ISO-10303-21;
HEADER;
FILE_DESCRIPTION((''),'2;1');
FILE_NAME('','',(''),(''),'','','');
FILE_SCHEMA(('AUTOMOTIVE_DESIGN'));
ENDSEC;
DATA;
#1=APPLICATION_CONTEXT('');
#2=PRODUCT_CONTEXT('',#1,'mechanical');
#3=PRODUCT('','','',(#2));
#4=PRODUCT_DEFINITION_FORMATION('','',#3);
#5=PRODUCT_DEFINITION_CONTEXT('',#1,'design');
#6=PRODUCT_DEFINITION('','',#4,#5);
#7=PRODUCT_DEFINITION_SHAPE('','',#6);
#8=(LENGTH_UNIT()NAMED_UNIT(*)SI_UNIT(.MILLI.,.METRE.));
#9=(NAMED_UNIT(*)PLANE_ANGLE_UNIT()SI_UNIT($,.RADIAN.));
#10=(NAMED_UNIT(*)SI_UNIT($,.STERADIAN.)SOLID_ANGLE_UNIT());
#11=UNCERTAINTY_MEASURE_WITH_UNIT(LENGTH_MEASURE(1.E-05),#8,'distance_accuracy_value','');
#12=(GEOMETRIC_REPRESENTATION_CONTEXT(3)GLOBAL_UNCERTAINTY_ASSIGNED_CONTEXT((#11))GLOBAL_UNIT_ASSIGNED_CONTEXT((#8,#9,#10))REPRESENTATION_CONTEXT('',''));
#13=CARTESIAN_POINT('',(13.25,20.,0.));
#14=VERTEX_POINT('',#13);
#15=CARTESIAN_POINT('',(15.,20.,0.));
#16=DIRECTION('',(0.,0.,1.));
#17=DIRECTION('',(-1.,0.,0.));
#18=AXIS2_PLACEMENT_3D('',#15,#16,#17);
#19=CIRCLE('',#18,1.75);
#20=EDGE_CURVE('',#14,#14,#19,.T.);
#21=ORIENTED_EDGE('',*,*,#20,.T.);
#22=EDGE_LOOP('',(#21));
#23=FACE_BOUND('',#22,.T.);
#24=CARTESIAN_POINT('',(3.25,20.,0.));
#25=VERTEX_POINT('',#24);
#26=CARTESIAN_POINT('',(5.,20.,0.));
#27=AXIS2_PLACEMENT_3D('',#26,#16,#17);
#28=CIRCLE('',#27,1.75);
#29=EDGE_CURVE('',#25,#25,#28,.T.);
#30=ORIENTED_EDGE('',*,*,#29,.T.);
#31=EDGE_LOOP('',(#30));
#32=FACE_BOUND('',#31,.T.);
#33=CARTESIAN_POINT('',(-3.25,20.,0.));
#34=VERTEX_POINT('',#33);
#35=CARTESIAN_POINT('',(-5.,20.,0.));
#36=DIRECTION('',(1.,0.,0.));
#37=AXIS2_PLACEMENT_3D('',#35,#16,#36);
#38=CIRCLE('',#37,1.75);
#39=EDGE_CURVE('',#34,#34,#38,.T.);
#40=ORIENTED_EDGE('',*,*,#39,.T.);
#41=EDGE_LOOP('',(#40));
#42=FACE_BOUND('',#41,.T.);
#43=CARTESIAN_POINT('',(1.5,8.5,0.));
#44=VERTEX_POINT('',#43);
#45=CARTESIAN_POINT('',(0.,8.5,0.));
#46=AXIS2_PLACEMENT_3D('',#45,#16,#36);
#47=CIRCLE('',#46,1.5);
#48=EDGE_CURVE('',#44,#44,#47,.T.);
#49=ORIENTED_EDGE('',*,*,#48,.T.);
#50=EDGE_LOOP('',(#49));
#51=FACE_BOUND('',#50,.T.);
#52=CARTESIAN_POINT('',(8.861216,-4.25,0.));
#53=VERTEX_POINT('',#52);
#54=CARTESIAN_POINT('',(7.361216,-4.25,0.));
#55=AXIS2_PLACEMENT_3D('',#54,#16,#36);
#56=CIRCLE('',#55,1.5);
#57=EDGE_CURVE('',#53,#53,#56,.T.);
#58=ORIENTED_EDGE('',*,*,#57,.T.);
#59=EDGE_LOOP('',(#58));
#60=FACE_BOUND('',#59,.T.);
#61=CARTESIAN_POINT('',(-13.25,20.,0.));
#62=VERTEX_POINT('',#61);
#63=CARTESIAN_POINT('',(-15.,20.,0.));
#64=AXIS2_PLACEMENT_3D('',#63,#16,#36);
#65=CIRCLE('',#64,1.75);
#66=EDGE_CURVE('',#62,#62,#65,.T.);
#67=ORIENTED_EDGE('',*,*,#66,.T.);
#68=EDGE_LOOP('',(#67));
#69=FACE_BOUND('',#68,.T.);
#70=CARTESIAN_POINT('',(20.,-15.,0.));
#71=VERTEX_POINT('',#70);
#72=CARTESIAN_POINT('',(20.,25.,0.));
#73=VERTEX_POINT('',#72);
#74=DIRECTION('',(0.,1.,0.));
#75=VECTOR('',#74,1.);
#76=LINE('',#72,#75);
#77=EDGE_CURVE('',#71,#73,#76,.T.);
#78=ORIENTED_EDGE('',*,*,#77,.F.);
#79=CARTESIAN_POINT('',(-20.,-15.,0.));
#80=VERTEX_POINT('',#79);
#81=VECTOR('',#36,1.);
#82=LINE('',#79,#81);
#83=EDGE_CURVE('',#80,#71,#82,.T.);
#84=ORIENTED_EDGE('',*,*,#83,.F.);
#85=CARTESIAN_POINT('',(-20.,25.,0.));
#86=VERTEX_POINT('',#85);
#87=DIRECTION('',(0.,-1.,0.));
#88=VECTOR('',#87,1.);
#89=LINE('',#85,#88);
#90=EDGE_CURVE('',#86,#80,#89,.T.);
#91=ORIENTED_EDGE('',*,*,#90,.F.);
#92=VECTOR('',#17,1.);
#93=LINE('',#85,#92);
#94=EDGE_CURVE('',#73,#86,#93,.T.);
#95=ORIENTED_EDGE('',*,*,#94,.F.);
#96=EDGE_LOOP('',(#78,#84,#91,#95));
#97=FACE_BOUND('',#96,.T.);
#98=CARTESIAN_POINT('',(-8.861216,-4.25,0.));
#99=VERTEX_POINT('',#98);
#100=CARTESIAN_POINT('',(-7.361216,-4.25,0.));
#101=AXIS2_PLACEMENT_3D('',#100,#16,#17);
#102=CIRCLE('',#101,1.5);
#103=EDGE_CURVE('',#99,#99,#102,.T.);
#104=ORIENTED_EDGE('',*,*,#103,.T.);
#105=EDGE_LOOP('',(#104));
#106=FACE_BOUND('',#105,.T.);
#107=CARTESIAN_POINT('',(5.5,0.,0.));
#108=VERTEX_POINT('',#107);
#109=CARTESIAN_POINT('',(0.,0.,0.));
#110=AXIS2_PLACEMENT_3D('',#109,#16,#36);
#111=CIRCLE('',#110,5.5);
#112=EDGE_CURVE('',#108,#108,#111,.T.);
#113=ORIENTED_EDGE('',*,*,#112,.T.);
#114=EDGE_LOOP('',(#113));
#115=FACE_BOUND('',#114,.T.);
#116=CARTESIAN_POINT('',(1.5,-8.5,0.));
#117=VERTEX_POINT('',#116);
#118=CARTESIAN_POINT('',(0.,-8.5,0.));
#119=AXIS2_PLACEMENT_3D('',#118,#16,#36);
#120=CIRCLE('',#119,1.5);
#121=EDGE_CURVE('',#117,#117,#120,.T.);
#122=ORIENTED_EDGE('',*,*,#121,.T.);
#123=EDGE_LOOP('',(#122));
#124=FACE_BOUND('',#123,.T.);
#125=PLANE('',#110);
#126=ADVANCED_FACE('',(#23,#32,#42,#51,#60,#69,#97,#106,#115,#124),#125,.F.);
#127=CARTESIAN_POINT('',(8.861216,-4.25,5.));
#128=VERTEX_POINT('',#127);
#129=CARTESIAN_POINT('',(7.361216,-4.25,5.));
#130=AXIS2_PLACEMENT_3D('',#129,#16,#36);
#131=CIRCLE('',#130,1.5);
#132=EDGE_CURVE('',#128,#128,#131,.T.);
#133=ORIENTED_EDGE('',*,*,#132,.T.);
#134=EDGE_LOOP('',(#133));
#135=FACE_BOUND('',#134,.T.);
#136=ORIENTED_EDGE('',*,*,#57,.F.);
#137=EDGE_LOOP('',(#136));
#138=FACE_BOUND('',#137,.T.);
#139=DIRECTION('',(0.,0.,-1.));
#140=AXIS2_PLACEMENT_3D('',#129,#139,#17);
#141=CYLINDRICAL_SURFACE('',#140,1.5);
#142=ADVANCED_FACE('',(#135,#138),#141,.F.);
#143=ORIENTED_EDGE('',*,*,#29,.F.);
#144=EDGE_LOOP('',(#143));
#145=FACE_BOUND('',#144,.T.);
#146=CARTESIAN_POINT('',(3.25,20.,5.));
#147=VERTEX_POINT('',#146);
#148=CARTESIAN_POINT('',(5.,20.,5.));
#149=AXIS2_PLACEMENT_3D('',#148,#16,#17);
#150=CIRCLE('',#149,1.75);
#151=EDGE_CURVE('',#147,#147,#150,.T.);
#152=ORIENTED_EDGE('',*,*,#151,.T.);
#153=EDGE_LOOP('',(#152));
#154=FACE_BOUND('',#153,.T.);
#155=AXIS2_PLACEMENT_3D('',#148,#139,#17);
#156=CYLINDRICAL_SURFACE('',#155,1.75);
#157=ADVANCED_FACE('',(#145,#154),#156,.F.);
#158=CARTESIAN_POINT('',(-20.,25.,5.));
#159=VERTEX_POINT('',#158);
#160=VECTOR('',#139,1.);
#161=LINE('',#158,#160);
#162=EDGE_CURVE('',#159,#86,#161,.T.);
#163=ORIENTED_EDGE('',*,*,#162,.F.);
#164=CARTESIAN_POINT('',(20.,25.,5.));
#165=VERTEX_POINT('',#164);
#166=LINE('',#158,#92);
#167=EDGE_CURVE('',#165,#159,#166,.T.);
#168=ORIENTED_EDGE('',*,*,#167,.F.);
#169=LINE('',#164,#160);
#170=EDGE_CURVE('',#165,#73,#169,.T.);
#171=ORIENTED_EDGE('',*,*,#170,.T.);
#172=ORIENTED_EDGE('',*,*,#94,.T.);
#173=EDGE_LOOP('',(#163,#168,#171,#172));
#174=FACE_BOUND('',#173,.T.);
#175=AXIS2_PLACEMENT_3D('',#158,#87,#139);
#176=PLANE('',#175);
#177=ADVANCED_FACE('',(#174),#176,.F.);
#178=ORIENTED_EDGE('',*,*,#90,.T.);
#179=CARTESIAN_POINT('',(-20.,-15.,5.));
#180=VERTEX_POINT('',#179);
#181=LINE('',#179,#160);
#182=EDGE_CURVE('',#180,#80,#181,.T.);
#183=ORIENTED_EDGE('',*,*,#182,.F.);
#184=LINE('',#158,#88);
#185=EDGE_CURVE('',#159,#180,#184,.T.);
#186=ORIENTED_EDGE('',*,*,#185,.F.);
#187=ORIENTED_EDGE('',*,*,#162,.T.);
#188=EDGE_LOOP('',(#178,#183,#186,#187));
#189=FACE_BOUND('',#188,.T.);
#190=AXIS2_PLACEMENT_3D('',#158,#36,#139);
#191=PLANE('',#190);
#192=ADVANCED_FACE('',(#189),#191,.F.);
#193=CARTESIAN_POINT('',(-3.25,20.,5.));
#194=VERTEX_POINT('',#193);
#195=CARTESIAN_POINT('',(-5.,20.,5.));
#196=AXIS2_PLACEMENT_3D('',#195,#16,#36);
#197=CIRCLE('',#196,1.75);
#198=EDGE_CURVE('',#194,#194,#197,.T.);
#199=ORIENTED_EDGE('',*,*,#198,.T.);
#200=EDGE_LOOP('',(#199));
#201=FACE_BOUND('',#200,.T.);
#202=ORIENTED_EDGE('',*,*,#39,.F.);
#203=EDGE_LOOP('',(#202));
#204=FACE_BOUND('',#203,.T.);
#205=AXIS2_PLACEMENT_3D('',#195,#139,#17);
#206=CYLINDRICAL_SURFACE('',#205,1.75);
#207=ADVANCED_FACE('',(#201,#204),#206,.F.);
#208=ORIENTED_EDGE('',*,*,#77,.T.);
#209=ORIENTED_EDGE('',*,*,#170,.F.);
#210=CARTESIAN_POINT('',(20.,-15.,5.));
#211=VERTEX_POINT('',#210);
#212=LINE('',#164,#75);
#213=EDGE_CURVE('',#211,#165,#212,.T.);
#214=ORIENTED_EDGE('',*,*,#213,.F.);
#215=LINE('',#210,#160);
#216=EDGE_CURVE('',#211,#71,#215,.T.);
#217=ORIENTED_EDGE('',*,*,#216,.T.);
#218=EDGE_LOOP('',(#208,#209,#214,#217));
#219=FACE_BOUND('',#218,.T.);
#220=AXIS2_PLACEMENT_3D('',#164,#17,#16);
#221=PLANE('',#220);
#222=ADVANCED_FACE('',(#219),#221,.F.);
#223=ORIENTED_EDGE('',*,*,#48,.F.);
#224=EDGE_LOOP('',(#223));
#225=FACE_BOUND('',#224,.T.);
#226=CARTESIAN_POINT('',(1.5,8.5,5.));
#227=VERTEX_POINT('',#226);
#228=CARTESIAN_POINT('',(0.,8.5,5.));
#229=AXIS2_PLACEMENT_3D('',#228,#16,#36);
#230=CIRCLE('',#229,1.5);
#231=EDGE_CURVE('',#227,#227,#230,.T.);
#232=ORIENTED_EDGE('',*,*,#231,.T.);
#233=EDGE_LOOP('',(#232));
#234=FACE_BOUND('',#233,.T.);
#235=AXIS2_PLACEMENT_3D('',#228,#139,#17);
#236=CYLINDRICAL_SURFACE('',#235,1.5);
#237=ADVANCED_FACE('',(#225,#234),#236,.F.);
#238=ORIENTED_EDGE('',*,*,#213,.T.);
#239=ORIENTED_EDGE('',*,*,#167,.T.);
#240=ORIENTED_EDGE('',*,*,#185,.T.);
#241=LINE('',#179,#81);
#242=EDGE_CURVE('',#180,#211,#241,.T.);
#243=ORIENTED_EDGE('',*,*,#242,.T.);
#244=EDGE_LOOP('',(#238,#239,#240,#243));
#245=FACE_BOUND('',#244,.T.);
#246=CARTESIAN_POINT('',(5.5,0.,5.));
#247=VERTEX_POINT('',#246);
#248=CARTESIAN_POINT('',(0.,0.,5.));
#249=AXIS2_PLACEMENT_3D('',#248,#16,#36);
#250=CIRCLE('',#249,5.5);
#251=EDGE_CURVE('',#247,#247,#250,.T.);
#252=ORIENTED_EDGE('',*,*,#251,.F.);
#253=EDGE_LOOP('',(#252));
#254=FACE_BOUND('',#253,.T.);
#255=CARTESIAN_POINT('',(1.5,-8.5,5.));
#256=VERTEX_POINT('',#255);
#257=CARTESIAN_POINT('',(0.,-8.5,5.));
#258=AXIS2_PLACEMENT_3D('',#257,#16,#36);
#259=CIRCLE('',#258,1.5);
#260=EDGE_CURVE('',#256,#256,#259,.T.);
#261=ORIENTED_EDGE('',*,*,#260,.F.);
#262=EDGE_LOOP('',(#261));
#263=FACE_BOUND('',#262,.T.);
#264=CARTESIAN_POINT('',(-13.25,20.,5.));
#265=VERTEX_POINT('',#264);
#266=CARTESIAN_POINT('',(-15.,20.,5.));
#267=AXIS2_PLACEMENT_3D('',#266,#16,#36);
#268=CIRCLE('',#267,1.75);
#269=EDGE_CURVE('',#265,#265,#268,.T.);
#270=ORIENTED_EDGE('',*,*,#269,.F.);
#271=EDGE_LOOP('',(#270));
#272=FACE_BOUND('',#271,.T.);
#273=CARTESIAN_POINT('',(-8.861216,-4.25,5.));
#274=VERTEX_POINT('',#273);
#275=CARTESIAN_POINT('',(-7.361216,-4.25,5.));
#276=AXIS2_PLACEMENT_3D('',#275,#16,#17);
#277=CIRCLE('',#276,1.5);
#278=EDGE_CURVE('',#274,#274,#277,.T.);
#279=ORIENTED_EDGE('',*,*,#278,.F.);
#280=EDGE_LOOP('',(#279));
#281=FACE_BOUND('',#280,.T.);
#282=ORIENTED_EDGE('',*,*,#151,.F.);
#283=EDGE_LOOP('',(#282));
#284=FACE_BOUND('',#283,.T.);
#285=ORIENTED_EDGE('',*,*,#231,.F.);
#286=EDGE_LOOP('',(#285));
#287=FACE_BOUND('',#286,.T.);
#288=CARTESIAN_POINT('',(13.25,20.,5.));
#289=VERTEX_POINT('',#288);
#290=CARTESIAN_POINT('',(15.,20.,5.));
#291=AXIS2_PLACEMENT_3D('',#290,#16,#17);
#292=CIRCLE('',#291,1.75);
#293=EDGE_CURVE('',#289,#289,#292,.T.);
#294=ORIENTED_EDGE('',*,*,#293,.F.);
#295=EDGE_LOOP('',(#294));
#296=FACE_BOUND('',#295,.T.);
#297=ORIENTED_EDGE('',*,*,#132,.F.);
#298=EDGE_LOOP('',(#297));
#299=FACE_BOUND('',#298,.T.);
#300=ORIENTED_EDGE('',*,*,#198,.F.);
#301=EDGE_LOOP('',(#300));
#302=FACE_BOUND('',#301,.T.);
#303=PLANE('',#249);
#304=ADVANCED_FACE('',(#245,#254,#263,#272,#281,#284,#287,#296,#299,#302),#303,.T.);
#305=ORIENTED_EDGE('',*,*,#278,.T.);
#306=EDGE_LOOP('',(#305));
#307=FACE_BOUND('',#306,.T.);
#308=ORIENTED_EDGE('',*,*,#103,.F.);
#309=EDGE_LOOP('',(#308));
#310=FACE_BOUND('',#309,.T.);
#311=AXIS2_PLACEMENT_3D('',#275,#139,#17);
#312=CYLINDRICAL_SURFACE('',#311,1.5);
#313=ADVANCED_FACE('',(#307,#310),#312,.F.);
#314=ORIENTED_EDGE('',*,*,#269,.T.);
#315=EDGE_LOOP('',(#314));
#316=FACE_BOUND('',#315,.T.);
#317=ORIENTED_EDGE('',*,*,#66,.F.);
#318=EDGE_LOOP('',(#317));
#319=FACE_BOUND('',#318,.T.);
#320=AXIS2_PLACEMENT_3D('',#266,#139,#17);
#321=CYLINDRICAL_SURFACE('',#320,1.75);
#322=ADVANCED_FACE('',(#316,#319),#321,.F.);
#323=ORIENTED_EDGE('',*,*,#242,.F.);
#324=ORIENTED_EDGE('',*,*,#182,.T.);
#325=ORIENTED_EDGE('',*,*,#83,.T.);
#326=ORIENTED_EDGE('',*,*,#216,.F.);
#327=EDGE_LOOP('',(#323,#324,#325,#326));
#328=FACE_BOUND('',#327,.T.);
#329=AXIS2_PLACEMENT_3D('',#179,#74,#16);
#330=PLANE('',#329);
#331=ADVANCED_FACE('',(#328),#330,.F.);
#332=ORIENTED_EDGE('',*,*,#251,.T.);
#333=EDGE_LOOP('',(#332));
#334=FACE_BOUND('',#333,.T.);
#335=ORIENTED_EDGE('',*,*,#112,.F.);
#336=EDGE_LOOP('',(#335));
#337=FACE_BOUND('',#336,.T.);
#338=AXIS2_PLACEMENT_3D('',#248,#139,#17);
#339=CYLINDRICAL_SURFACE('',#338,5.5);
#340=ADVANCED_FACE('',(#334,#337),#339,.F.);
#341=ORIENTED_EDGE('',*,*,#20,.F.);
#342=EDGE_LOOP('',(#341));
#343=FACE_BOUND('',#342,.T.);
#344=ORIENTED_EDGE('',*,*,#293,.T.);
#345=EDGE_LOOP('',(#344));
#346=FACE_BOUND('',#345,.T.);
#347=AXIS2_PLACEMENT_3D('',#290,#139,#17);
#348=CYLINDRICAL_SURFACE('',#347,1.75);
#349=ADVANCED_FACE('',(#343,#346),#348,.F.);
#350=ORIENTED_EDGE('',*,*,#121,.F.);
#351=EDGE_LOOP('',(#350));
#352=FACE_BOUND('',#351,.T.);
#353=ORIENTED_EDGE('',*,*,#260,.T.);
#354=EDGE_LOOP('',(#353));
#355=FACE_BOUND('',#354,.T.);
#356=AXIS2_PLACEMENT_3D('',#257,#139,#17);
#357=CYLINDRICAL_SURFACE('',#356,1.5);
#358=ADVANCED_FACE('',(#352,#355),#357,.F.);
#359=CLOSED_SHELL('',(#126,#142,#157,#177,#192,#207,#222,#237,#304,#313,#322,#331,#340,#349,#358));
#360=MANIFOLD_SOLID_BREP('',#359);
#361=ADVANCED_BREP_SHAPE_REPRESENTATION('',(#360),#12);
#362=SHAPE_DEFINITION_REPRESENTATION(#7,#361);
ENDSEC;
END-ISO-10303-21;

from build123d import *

# Parameters (mm, degrees)
SKETCH1_W           = 40
SKETCH1_H           = 40
SKETCH1_R           = 5.5
SKETCH1_R_2         = 1.5
SKETCH1_R_3         = 1.75
BOSS_EXTRUDE1_DEPTH = 5


with BuildPart() as part:
    # Sketch1 → Boss-Extrude1 (new body)
    with BuildSketch(Plane.XY):
        with Locations((0, 5)):
            Rectangle(SKETCH1_W, SKETCH1_H)
        Circle(SKETCH1_R, mode=Mode.SUBTRACT)
        with Locations((0, -8.5)):
            Circle(SKETCH1_R_2, mode=Mode.SUBTRACT)
        with Locations((0, 8.5)):
            Circle(SKETCH1_R_2, mode=Mode.SUBTRACT)
        with Locations((7.361215932, -4.25)):
            Circle(SKETCH1_R_2, mode=Mode.SUBTRACT)
        with Locations((-7.361215932, -4.25)):
            Circle(SKETCH1_R_2, mode=Mode.SUBTRACT)
        with Locations((-15, 20)):
            Circle(SKETCH1_R_3, mode=Mode.SUBTRACT)
        with Locations((-5, 20)):
            Circle(SKETCH1_R_3, mode=Mode.SUBTRACT)
        with Locations((5, 20)):
            Circle(SKETCH1_R_3, mode=Mode.SUBTRACT)
        with Locations((15, 20)):
            Circle(SKETCH1_R_3, mode=Mode.SUBTRACT)
    extrude(amount=BOSS_EXTRUDE1_DEPTH)


solid = part.part
